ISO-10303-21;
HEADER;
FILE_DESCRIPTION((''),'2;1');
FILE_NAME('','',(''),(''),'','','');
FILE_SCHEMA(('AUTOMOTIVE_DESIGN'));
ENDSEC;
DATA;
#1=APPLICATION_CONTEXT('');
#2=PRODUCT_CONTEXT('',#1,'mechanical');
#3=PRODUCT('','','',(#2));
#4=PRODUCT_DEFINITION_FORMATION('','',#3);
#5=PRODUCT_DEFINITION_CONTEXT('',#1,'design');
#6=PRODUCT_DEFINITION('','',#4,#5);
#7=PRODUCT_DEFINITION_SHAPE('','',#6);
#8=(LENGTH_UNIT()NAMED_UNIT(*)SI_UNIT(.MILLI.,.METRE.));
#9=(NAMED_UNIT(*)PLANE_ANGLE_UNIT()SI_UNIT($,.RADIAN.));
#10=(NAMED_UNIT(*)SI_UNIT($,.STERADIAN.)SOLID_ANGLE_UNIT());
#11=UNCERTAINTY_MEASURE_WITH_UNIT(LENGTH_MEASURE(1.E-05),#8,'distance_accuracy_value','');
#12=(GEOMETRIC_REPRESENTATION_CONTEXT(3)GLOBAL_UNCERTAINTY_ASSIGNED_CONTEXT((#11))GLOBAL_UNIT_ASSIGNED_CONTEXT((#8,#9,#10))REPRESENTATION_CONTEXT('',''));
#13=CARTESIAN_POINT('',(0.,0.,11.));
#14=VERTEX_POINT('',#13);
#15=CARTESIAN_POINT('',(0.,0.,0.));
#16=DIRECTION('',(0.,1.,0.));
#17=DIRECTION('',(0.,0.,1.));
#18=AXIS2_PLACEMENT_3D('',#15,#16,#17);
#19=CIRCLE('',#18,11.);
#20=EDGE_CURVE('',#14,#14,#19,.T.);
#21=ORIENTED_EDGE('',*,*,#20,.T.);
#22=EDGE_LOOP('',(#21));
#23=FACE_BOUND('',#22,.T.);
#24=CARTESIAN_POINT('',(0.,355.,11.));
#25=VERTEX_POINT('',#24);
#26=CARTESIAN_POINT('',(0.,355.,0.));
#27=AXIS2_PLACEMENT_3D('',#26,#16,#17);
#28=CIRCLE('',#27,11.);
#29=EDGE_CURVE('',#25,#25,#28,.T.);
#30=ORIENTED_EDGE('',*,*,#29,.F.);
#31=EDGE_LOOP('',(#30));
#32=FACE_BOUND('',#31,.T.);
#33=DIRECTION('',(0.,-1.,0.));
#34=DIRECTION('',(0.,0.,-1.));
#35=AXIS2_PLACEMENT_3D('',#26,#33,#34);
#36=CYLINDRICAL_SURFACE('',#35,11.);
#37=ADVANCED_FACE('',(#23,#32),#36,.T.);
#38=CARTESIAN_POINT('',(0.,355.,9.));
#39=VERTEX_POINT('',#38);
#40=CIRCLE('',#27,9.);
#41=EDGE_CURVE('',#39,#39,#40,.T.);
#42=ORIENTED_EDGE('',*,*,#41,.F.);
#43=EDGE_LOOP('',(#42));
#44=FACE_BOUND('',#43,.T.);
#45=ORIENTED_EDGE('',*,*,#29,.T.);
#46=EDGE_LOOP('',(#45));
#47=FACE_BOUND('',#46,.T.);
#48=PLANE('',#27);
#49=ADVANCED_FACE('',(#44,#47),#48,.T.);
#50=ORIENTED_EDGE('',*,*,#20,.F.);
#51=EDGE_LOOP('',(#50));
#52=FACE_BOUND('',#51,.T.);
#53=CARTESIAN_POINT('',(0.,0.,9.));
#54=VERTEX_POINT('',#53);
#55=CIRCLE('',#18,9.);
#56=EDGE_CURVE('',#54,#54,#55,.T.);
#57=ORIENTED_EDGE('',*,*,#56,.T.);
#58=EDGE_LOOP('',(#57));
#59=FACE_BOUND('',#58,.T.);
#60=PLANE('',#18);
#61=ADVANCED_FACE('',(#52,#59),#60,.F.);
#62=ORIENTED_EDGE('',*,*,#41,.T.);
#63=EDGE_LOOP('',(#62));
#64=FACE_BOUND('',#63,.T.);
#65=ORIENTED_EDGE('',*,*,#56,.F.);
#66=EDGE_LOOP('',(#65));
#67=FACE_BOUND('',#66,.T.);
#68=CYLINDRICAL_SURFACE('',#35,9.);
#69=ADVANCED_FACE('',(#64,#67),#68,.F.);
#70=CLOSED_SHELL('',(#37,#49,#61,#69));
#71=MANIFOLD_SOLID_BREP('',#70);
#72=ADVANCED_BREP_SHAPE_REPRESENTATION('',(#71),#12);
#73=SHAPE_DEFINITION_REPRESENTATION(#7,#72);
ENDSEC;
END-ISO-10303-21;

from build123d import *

# Parameters (mm, degrees)
SKETCH_1_R      = 11
SKETCH_1_R_2    = 9
EXTRUDE_1_DEPTH = 355


with BuildPart() as part:
    # Эскиз1 → Вытянуть1 (new body)
    with BuildSketch(Plane(origin=(0, 0, 0), x_dir=(1, 0, 0), z_dir=(0, 1, 0))):
        with Locations(Location((0, 0, 0), (0, 0, 270))):
            Circle(SKETCH_1_R)
        with Locations(Location((0, 0, 0), (0, 0, 270))):
            Circle(SKETCH_1_R_2, mode=Mode.SUBTRACT)
    extrude(amount=EXTRUDE_1_DEPTH)


solid = part.part
